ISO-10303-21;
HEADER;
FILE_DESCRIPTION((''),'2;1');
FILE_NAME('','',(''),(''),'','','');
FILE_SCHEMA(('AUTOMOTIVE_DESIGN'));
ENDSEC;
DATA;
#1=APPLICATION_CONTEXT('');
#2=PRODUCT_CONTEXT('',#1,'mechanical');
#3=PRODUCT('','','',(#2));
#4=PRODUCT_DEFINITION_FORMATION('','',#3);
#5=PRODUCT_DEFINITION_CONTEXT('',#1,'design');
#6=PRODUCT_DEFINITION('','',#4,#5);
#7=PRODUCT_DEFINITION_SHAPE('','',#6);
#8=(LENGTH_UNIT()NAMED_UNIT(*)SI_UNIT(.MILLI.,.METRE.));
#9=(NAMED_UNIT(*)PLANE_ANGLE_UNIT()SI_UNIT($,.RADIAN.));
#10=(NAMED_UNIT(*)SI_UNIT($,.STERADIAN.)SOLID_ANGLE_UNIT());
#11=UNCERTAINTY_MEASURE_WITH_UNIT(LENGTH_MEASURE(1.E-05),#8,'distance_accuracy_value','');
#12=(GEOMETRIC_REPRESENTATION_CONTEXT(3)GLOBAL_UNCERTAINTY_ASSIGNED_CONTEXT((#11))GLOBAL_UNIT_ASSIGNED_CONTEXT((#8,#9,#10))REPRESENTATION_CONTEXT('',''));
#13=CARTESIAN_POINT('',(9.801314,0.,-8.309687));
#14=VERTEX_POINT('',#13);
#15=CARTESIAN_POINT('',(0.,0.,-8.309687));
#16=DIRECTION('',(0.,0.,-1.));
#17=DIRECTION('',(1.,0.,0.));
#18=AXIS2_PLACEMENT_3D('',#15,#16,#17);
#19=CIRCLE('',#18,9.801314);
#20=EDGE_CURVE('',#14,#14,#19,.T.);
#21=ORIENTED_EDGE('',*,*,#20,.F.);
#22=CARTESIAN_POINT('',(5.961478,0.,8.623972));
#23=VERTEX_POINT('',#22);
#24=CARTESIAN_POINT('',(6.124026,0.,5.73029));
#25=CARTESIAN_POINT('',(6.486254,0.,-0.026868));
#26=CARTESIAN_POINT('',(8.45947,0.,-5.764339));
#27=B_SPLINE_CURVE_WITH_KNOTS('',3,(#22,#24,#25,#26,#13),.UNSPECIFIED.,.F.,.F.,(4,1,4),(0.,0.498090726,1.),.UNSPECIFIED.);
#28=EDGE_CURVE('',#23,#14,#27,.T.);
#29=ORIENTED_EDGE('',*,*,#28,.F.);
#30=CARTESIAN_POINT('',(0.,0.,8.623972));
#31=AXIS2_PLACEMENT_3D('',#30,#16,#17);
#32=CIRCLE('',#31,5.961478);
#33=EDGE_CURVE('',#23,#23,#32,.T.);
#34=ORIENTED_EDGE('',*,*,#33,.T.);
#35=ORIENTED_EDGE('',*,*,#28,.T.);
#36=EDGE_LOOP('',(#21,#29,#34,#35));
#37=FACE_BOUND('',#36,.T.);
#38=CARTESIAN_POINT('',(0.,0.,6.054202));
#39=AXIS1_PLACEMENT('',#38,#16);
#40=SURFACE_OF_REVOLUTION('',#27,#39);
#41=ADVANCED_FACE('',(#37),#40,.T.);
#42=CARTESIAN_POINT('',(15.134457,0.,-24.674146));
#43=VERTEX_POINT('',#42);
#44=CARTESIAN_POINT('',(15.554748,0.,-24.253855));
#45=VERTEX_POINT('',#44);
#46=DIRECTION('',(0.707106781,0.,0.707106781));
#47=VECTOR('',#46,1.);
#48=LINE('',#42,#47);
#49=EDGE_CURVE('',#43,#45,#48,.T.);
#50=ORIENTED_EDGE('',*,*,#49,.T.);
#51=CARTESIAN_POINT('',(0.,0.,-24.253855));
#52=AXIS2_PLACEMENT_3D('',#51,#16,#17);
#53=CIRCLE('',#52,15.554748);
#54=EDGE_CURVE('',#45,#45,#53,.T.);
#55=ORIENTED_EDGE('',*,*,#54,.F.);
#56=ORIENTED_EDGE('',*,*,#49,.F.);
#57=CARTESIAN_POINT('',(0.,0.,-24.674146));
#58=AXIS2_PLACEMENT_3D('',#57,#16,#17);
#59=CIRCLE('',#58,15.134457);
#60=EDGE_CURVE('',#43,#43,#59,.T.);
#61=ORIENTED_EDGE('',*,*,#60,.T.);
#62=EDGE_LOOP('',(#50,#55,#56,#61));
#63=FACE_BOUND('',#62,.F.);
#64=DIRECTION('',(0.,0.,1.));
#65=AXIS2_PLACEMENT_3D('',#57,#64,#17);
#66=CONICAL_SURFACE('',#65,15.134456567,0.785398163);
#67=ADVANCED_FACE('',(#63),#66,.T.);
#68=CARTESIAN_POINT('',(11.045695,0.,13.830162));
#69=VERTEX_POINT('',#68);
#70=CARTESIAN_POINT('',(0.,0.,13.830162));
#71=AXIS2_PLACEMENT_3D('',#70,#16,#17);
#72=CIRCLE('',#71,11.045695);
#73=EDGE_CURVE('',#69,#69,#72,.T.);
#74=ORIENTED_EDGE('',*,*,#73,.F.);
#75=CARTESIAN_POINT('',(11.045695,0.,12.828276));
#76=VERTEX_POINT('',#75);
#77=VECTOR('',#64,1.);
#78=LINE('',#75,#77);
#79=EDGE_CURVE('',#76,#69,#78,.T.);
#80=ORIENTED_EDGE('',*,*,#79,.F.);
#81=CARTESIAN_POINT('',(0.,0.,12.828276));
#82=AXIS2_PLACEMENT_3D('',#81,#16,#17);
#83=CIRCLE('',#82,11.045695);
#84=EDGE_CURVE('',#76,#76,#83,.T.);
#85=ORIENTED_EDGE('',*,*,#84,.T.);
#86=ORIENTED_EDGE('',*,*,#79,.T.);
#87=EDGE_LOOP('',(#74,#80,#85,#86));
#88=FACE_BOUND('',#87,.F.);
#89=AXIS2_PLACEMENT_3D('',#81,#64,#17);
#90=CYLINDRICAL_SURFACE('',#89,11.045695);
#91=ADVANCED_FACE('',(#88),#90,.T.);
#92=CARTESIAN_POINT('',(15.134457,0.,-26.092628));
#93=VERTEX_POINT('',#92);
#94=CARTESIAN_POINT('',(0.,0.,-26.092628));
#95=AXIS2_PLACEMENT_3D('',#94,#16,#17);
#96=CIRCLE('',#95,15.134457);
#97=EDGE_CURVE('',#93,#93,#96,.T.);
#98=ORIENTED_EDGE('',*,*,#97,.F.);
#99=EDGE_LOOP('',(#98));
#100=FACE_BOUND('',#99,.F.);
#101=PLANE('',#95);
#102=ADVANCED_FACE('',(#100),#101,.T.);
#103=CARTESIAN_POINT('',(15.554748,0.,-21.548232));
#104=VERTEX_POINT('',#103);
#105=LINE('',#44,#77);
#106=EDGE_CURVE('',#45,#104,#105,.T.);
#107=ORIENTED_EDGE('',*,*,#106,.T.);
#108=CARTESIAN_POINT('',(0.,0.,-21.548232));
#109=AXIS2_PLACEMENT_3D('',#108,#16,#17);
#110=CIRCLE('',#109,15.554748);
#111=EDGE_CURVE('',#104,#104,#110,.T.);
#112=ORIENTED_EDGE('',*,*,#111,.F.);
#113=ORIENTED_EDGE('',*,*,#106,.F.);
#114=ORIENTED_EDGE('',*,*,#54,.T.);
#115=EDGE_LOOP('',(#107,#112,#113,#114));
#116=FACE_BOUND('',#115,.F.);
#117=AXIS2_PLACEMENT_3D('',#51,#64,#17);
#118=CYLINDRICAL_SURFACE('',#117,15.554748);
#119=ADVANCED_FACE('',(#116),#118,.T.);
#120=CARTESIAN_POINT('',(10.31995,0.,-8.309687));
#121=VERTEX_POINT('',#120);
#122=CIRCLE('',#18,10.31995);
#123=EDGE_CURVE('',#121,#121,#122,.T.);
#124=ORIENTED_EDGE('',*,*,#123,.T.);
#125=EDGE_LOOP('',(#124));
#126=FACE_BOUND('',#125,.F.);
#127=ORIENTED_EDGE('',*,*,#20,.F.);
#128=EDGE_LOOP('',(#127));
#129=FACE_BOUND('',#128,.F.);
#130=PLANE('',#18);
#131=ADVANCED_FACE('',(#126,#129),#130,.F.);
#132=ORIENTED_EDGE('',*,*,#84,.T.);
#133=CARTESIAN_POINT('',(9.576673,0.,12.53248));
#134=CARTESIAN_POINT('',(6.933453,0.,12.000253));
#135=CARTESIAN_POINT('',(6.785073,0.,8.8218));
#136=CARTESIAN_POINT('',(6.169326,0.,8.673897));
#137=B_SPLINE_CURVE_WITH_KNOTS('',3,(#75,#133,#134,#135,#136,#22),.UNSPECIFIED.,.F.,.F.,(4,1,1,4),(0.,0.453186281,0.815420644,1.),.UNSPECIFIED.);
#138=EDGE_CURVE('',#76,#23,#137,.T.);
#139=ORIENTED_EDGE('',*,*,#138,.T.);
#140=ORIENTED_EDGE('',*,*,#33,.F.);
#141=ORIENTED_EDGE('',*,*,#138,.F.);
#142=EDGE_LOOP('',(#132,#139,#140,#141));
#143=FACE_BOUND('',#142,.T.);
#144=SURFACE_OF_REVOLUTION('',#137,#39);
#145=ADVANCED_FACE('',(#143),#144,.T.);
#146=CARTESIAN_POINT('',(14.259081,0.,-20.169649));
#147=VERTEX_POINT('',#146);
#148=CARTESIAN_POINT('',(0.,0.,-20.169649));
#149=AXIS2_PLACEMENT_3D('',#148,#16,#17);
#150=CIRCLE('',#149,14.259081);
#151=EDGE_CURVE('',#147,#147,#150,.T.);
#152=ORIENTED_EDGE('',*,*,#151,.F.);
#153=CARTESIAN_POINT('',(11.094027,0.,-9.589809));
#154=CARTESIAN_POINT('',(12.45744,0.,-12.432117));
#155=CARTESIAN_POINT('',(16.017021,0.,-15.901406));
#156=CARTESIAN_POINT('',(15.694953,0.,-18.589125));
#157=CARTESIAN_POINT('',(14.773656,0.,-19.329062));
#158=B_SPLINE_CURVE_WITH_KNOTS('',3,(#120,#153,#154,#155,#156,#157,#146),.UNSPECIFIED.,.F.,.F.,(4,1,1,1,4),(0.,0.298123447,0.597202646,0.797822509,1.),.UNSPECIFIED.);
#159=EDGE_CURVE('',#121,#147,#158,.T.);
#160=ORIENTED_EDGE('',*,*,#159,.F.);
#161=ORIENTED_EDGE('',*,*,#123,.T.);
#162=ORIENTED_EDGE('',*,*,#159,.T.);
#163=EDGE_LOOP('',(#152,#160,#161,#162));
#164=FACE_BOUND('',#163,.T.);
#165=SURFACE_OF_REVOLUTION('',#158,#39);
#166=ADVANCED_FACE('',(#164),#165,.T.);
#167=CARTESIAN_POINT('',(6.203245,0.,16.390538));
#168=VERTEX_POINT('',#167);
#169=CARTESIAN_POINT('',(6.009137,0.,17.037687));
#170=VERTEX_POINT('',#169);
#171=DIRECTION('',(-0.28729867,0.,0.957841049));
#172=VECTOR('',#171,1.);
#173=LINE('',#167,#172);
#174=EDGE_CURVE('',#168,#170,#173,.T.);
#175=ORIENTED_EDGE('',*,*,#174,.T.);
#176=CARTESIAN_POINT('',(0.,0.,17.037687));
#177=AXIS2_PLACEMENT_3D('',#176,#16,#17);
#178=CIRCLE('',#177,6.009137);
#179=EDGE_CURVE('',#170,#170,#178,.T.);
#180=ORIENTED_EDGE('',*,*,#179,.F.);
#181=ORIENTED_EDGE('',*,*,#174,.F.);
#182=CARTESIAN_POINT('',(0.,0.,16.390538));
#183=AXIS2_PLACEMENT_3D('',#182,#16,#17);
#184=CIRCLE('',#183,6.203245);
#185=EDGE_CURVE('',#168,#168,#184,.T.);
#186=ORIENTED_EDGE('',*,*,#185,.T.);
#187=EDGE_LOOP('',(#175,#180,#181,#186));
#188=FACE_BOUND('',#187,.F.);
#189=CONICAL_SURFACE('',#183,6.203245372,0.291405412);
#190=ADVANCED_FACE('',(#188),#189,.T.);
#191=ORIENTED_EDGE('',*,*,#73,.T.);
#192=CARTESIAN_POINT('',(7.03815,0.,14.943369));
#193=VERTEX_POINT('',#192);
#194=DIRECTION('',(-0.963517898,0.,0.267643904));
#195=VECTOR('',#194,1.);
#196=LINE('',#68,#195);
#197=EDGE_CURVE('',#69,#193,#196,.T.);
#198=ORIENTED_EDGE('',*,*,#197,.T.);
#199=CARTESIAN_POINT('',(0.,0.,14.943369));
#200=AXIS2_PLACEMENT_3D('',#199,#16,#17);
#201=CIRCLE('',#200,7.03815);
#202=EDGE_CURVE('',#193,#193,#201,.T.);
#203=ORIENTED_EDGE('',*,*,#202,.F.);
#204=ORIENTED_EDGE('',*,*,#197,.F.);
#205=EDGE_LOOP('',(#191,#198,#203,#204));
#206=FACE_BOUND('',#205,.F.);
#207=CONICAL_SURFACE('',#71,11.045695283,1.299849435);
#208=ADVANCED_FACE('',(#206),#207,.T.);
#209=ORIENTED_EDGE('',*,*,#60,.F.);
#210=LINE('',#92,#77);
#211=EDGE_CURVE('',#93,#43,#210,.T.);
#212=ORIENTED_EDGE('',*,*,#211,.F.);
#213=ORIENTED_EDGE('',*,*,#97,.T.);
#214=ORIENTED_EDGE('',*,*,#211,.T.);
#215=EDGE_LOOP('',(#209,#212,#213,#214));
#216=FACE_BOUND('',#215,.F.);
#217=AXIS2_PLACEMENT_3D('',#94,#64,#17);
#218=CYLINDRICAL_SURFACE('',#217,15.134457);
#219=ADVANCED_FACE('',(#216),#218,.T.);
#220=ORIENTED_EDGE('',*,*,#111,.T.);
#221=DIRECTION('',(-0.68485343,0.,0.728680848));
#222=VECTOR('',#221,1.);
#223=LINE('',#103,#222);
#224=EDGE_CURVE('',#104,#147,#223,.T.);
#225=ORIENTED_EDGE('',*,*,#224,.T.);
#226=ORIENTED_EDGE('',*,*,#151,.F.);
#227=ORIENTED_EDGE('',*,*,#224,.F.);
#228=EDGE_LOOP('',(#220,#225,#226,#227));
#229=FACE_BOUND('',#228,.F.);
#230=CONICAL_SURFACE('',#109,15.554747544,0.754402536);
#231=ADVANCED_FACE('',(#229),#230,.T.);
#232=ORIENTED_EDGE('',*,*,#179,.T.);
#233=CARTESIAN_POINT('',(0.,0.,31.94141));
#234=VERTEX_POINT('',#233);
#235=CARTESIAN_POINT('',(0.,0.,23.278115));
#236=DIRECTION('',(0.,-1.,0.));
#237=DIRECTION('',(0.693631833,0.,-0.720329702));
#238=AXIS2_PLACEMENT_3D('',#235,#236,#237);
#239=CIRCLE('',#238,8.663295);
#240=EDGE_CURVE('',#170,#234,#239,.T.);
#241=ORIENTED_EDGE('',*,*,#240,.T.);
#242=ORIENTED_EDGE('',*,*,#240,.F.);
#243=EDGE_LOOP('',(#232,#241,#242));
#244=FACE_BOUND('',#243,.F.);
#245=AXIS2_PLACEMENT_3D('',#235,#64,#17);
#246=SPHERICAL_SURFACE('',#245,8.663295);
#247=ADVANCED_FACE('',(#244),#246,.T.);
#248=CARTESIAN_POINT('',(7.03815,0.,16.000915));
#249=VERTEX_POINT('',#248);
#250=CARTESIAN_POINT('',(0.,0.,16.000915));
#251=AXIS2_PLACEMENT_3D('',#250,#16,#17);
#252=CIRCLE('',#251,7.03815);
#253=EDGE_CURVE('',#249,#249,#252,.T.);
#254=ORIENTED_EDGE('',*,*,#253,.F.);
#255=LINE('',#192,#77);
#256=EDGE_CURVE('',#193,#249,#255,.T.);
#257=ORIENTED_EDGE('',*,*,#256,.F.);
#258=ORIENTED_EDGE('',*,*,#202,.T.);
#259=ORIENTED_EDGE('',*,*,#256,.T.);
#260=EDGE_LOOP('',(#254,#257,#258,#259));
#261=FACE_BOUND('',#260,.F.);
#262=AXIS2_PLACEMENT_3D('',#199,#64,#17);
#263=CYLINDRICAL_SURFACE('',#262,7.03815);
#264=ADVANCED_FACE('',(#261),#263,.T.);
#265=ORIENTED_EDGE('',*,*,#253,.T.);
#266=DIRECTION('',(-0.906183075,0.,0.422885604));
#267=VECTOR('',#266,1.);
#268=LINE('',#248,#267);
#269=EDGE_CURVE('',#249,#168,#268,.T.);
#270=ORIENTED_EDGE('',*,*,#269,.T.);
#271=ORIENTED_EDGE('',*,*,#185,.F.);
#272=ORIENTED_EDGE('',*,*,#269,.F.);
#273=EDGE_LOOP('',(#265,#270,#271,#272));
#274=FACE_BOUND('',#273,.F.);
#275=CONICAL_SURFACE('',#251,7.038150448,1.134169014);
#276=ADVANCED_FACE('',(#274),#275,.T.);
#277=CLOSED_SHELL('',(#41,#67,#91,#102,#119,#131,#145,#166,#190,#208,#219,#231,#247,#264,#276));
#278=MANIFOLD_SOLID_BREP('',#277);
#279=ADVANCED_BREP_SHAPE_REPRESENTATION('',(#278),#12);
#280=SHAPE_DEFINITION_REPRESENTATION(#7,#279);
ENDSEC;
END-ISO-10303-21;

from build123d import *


with BuildPart() as f1:
    # F0 (on Front) → F1 (revolve)
    with BuildSketch(Plane.XZ):
        with BuildLine():
            Line((6.2032453716, 16.3905378431), (6.009136892, 17.037686923))
            ThreePointArc((6.009136892, 17.037686923), (8.0347788434, 26.5177143152), (0, 31.9414098828))
            Line((0, 31.9414098828), (0, -26.0926280171))
            Line((0, -26.0926280171), (15.1344565675, -26.0926280171))
            Line((15.1344565675, -26.0926280171), (15.1344565675, -24.6741455048))
            Line((15.1344565675, -24.6741455048), (15.5547475442, -24.2538545281))
            Line((15.5547475442, -24.2538545281), (15.5547475442, -21.5482320637))
            Line((15.5547475442, -21.5482320637), (14.2590813339, -20.1696492732))
            add(Edge.make_bspline(
                [(10.3199500591, -8.3096865565), (11.0940265644, -9.5898087318), (12.4574402002, -12.4321165393), (16.0170207701, -15.901405966), (15.6949527958, -18.5891253545), (14.773655929, -19.3290623713), (14.2590813339, -20.1696492732)],
                knots=[0, 0, 0, 0, 0.2981234472, 0.5972026459, 0.797822509, 1, 1, 1, 1], degree=3))
            Line((10.3199500591, -8.3096865565), (9.8013142124, -8.3096865565))
            add(Edge.make_bspline(
                [(5.9614782222, 8.6239716038), (6.1240255962, 5.7302897884), (6.4862543222, -0.0268683968), (8.4594698111, -5.7643388802), (9.8013142124, -8.3096865565)],
                knots=[0, 0, 0, 0, 0.4980907257, 1, 1, 1, 1], degree=3))
            add(Edge.make_bspline(
                [(11.0456952825, 12.8282755613), (9.576673119, 12.5324798455), (6.9334532156, 12.000252938), (6.7850734272, 8.8217995661), (6.1693263383, 8.6738968208), (5.9614782222, 8.6239716038)],
                knots=[0, 0, 0, 0, 0.4531862811, 0.8154206437, 1, 1, 1, 1], degree=3))
            Line((11.0456952825, 12.8282755613), (11.0456952825, 13.8301616535))
            Line((11.0456952825, 13.8301616535), (7.0381504484, 14.9433687329))
            Line((7.0381504484, 14.9433687329), (7.0381504484, 16.0009153187))
            Line((7.0381504484, 16.0009153187), (6.2032453716, 16.3905378431))
        make_face()
    revolve(axis=Axis((0, 0, 6.0542020947), (0, 0, -1)))


solid = f1.part
